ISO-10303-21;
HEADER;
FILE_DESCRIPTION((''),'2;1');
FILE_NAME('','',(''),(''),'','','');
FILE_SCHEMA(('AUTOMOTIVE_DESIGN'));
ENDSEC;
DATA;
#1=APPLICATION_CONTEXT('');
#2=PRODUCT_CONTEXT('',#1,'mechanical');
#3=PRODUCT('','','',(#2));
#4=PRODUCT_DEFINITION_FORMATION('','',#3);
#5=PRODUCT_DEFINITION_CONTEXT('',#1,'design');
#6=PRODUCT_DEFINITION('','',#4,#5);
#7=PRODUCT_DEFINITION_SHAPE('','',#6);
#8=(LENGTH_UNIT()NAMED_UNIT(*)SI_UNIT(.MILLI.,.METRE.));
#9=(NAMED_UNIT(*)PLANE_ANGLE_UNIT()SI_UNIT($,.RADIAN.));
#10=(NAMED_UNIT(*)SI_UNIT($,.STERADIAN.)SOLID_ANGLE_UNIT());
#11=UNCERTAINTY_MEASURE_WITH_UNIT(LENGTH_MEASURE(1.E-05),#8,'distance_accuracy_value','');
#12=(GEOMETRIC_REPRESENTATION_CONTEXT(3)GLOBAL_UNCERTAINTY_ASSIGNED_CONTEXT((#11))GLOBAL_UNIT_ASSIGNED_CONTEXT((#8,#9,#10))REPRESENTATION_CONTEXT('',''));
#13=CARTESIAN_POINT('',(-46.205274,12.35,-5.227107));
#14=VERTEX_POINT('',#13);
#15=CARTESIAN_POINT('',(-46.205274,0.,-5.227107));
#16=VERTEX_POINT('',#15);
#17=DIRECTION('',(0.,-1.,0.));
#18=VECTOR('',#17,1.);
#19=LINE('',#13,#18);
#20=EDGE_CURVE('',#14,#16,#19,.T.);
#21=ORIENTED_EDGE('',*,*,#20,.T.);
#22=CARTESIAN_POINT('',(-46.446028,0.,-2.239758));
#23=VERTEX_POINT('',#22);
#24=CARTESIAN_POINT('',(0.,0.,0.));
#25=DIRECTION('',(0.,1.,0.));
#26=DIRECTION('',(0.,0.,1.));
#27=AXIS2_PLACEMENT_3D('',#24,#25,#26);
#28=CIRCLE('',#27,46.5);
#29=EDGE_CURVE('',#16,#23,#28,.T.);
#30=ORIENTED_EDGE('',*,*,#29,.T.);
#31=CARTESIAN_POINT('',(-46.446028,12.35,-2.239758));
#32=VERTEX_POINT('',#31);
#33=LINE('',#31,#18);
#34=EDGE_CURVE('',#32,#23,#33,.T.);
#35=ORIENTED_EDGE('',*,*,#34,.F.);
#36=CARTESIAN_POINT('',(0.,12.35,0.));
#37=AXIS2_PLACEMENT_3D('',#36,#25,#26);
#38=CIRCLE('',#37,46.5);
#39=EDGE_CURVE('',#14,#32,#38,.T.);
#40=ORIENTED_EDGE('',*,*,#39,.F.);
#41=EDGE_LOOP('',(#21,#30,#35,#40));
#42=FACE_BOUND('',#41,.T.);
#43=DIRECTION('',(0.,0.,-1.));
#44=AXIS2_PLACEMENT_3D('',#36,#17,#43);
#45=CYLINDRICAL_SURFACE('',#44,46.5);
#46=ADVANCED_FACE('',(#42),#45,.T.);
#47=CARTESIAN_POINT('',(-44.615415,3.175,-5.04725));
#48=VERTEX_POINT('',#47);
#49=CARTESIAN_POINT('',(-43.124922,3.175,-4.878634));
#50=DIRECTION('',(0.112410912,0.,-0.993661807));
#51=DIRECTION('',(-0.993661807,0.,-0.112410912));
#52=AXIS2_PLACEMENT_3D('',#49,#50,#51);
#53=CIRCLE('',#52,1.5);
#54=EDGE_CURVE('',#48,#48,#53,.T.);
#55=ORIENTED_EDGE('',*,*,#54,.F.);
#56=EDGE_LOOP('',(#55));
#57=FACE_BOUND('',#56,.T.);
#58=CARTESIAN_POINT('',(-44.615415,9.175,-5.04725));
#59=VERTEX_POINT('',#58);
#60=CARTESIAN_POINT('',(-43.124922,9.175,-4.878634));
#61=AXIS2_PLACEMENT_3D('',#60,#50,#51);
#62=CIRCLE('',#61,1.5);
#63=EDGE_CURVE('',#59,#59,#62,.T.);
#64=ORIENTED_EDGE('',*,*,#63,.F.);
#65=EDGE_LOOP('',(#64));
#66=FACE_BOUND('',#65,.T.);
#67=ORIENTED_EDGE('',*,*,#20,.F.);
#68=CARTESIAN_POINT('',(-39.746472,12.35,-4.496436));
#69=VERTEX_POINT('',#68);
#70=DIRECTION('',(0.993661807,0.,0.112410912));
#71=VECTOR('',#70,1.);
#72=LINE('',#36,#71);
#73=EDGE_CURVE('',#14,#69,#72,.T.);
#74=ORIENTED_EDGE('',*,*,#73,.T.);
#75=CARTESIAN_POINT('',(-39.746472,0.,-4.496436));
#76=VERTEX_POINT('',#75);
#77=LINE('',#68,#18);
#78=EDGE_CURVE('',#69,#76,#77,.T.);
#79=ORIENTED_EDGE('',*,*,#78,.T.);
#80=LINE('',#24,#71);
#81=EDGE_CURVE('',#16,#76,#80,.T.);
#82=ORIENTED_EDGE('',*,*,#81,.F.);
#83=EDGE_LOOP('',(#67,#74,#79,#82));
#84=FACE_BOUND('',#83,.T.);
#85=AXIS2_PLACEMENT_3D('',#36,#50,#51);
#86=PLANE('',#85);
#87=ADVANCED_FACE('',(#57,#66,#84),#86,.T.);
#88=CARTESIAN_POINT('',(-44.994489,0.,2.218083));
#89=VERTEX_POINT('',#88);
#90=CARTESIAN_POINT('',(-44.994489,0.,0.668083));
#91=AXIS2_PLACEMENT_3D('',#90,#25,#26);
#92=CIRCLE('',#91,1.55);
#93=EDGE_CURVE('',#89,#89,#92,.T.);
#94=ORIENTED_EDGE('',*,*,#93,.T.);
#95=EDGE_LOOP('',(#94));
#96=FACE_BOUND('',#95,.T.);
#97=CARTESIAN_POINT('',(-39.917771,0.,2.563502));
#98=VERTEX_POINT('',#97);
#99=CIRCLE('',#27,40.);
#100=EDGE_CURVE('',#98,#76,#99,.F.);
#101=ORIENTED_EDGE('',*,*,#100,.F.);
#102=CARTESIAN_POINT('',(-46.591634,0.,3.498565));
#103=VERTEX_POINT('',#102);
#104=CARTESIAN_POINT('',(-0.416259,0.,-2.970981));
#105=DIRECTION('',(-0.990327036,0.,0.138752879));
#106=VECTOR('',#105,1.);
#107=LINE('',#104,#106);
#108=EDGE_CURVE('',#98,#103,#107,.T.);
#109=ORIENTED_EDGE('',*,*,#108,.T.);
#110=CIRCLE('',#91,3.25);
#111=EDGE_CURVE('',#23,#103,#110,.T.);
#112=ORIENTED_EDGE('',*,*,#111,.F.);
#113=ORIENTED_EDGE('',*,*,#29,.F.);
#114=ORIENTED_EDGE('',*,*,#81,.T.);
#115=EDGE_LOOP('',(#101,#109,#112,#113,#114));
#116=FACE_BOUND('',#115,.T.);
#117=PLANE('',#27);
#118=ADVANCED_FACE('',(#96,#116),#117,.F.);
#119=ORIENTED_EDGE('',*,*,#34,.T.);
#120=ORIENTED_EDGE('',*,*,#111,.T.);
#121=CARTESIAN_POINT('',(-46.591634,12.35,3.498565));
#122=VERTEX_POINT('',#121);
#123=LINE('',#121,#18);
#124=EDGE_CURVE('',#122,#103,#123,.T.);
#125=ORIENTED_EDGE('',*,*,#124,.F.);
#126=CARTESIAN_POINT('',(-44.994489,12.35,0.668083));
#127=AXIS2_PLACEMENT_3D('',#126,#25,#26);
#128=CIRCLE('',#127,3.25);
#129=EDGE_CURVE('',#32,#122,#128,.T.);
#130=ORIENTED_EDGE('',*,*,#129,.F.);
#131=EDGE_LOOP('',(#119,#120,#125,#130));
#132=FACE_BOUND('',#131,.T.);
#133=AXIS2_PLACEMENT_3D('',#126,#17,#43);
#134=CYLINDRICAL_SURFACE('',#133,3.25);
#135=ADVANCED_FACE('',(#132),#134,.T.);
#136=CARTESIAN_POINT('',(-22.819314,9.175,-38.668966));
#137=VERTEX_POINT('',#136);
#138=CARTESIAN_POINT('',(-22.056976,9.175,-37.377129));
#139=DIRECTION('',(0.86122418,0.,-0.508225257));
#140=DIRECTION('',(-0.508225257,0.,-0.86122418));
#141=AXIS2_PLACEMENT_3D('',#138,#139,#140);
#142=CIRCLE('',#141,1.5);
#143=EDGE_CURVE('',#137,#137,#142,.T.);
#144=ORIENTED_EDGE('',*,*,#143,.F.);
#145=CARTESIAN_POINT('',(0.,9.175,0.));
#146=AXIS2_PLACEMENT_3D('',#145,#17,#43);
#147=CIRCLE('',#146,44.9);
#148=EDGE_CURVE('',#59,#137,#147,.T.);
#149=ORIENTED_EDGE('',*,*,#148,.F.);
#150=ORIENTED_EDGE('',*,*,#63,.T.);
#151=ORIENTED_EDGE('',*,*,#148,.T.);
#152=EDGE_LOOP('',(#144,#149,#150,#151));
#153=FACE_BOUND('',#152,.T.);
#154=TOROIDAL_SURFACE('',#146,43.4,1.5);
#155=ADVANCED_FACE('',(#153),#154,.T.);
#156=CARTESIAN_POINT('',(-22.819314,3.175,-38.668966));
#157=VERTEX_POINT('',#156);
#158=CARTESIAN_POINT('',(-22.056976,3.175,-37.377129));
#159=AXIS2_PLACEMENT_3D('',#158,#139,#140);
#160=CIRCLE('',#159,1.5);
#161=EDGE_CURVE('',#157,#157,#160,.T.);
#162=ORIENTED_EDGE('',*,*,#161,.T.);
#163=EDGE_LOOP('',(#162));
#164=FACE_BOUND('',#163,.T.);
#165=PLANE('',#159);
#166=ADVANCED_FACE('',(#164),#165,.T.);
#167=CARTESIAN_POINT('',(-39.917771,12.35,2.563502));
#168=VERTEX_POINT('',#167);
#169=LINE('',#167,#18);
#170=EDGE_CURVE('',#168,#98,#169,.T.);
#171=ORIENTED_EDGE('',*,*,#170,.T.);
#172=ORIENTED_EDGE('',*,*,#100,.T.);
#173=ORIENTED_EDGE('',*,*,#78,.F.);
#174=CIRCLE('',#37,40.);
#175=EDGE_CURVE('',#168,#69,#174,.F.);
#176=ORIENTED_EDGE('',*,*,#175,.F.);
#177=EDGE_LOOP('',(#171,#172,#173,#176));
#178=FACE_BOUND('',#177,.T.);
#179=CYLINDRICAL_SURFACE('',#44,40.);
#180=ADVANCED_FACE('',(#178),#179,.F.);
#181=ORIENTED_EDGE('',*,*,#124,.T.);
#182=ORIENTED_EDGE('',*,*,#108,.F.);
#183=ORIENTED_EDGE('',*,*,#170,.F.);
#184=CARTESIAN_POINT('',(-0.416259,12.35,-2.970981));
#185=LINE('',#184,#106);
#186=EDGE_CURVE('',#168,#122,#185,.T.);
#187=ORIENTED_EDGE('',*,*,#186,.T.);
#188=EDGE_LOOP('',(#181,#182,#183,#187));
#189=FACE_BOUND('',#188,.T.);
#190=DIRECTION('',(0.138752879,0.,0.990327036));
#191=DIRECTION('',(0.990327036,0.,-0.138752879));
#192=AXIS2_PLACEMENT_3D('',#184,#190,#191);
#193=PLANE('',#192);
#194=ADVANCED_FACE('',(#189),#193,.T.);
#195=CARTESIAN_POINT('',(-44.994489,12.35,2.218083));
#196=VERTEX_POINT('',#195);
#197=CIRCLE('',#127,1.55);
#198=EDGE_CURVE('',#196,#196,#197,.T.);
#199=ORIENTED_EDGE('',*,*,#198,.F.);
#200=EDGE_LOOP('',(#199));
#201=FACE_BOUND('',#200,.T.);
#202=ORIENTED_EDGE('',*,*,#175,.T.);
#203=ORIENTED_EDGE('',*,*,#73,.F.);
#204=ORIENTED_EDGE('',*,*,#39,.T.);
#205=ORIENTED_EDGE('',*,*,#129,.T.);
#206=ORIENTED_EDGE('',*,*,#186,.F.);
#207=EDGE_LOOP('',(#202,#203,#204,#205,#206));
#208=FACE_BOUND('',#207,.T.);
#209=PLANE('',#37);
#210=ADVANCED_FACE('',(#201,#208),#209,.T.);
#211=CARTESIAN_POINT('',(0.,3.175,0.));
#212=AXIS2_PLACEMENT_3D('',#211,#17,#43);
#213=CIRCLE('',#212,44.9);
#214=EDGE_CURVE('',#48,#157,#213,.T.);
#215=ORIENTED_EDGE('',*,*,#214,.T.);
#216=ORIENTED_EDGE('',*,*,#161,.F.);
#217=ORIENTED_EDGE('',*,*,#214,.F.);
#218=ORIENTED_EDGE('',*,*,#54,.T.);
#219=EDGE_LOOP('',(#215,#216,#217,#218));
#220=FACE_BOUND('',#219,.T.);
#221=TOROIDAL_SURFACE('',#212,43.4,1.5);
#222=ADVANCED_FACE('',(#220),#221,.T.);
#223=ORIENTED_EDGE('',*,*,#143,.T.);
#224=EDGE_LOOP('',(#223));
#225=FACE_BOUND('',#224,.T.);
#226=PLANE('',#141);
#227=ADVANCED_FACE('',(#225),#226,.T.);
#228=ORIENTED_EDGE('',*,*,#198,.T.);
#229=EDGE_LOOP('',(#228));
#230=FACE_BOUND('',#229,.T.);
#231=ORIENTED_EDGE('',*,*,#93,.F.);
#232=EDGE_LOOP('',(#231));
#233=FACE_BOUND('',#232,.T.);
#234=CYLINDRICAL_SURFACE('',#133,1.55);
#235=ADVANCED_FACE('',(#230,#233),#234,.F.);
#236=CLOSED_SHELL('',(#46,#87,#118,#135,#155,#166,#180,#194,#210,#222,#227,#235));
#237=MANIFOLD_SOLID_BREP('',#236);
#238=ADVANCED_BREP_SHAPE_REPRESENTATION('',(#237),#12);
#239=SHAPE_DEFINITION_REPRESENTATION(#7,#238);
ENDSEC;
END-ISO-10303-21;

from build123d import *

# Parameters (mm, degrees)
SKETCH2_R           = 1.55
BOSS_EXTRUDE1_DEPTH = 12.35
SKETCH3_R           = 1.5


with BuildPart() as part:
    # Sketch2 → Boss-Extrude1 (new body)
    with BuildSketch(Plane(origin=(0, 0, 0), x_dir=(1, 0, 0), z_dir=(0, 1, 0))):
        with BuildLine():
            ThreePointArc((-39.917771177, -2.56350234), (-39.988230838, 0.970254828), (-39.746472283, 4.496436488))
            Line((-39.746472283, 4.496436488), (-46.205274029, 5.227107417))
            ThreePointArc((-46.205274029, 5.227107417), (-46.34972481, 3.735372816), (-46.44602765, 2.239757921))
            ThreePointArc((-46.44602765, 2.239757921), (-48.2434435, -0.585642563), (-46.591633685, -3.498564803))
            Line((-46.591633685, -3.498564803), (-39.917771177, -2.56350234))
        make_face()
        with Locations(Location((-44.994489261, -0.668082567, 0), (0, 0, 270))):
            Circle(SKETCH2_R, mode=Mode.SUBTRACT)
    extrude(amount=BOSS_EXTRUDE1_DEPTH)

    # Sweep1: sweep along a path in Sketch7
    with BuildLine(Plane(origin=(0, 0, 0), x_dir=(1, 0, 0), z_dir=(0, 1, 0))) as sweep1_path:
        ThreePointArc((-39.746472283, 4.496436488), (-33.564183671, 21.758804529), (-20.329010289, 34.448967193))
    # Sketch3 → Sweep1 (sweep)
    with BuildSketch(Plane(origin=(0, 0, 0), x_dir=(-0.9936618070654342, 0, -0.11241091219030289), z_dir=(0.11241091219030287, 0, -0.993661807065434))):
        with Locations((43.4, 9.175)):
            Circle(SKETCH3_R)
        with Locations((43.4, 3.175)):
            Circle(SKETCH3_R)
    sweep(path=sweep1_path.line)


solid = part.part
